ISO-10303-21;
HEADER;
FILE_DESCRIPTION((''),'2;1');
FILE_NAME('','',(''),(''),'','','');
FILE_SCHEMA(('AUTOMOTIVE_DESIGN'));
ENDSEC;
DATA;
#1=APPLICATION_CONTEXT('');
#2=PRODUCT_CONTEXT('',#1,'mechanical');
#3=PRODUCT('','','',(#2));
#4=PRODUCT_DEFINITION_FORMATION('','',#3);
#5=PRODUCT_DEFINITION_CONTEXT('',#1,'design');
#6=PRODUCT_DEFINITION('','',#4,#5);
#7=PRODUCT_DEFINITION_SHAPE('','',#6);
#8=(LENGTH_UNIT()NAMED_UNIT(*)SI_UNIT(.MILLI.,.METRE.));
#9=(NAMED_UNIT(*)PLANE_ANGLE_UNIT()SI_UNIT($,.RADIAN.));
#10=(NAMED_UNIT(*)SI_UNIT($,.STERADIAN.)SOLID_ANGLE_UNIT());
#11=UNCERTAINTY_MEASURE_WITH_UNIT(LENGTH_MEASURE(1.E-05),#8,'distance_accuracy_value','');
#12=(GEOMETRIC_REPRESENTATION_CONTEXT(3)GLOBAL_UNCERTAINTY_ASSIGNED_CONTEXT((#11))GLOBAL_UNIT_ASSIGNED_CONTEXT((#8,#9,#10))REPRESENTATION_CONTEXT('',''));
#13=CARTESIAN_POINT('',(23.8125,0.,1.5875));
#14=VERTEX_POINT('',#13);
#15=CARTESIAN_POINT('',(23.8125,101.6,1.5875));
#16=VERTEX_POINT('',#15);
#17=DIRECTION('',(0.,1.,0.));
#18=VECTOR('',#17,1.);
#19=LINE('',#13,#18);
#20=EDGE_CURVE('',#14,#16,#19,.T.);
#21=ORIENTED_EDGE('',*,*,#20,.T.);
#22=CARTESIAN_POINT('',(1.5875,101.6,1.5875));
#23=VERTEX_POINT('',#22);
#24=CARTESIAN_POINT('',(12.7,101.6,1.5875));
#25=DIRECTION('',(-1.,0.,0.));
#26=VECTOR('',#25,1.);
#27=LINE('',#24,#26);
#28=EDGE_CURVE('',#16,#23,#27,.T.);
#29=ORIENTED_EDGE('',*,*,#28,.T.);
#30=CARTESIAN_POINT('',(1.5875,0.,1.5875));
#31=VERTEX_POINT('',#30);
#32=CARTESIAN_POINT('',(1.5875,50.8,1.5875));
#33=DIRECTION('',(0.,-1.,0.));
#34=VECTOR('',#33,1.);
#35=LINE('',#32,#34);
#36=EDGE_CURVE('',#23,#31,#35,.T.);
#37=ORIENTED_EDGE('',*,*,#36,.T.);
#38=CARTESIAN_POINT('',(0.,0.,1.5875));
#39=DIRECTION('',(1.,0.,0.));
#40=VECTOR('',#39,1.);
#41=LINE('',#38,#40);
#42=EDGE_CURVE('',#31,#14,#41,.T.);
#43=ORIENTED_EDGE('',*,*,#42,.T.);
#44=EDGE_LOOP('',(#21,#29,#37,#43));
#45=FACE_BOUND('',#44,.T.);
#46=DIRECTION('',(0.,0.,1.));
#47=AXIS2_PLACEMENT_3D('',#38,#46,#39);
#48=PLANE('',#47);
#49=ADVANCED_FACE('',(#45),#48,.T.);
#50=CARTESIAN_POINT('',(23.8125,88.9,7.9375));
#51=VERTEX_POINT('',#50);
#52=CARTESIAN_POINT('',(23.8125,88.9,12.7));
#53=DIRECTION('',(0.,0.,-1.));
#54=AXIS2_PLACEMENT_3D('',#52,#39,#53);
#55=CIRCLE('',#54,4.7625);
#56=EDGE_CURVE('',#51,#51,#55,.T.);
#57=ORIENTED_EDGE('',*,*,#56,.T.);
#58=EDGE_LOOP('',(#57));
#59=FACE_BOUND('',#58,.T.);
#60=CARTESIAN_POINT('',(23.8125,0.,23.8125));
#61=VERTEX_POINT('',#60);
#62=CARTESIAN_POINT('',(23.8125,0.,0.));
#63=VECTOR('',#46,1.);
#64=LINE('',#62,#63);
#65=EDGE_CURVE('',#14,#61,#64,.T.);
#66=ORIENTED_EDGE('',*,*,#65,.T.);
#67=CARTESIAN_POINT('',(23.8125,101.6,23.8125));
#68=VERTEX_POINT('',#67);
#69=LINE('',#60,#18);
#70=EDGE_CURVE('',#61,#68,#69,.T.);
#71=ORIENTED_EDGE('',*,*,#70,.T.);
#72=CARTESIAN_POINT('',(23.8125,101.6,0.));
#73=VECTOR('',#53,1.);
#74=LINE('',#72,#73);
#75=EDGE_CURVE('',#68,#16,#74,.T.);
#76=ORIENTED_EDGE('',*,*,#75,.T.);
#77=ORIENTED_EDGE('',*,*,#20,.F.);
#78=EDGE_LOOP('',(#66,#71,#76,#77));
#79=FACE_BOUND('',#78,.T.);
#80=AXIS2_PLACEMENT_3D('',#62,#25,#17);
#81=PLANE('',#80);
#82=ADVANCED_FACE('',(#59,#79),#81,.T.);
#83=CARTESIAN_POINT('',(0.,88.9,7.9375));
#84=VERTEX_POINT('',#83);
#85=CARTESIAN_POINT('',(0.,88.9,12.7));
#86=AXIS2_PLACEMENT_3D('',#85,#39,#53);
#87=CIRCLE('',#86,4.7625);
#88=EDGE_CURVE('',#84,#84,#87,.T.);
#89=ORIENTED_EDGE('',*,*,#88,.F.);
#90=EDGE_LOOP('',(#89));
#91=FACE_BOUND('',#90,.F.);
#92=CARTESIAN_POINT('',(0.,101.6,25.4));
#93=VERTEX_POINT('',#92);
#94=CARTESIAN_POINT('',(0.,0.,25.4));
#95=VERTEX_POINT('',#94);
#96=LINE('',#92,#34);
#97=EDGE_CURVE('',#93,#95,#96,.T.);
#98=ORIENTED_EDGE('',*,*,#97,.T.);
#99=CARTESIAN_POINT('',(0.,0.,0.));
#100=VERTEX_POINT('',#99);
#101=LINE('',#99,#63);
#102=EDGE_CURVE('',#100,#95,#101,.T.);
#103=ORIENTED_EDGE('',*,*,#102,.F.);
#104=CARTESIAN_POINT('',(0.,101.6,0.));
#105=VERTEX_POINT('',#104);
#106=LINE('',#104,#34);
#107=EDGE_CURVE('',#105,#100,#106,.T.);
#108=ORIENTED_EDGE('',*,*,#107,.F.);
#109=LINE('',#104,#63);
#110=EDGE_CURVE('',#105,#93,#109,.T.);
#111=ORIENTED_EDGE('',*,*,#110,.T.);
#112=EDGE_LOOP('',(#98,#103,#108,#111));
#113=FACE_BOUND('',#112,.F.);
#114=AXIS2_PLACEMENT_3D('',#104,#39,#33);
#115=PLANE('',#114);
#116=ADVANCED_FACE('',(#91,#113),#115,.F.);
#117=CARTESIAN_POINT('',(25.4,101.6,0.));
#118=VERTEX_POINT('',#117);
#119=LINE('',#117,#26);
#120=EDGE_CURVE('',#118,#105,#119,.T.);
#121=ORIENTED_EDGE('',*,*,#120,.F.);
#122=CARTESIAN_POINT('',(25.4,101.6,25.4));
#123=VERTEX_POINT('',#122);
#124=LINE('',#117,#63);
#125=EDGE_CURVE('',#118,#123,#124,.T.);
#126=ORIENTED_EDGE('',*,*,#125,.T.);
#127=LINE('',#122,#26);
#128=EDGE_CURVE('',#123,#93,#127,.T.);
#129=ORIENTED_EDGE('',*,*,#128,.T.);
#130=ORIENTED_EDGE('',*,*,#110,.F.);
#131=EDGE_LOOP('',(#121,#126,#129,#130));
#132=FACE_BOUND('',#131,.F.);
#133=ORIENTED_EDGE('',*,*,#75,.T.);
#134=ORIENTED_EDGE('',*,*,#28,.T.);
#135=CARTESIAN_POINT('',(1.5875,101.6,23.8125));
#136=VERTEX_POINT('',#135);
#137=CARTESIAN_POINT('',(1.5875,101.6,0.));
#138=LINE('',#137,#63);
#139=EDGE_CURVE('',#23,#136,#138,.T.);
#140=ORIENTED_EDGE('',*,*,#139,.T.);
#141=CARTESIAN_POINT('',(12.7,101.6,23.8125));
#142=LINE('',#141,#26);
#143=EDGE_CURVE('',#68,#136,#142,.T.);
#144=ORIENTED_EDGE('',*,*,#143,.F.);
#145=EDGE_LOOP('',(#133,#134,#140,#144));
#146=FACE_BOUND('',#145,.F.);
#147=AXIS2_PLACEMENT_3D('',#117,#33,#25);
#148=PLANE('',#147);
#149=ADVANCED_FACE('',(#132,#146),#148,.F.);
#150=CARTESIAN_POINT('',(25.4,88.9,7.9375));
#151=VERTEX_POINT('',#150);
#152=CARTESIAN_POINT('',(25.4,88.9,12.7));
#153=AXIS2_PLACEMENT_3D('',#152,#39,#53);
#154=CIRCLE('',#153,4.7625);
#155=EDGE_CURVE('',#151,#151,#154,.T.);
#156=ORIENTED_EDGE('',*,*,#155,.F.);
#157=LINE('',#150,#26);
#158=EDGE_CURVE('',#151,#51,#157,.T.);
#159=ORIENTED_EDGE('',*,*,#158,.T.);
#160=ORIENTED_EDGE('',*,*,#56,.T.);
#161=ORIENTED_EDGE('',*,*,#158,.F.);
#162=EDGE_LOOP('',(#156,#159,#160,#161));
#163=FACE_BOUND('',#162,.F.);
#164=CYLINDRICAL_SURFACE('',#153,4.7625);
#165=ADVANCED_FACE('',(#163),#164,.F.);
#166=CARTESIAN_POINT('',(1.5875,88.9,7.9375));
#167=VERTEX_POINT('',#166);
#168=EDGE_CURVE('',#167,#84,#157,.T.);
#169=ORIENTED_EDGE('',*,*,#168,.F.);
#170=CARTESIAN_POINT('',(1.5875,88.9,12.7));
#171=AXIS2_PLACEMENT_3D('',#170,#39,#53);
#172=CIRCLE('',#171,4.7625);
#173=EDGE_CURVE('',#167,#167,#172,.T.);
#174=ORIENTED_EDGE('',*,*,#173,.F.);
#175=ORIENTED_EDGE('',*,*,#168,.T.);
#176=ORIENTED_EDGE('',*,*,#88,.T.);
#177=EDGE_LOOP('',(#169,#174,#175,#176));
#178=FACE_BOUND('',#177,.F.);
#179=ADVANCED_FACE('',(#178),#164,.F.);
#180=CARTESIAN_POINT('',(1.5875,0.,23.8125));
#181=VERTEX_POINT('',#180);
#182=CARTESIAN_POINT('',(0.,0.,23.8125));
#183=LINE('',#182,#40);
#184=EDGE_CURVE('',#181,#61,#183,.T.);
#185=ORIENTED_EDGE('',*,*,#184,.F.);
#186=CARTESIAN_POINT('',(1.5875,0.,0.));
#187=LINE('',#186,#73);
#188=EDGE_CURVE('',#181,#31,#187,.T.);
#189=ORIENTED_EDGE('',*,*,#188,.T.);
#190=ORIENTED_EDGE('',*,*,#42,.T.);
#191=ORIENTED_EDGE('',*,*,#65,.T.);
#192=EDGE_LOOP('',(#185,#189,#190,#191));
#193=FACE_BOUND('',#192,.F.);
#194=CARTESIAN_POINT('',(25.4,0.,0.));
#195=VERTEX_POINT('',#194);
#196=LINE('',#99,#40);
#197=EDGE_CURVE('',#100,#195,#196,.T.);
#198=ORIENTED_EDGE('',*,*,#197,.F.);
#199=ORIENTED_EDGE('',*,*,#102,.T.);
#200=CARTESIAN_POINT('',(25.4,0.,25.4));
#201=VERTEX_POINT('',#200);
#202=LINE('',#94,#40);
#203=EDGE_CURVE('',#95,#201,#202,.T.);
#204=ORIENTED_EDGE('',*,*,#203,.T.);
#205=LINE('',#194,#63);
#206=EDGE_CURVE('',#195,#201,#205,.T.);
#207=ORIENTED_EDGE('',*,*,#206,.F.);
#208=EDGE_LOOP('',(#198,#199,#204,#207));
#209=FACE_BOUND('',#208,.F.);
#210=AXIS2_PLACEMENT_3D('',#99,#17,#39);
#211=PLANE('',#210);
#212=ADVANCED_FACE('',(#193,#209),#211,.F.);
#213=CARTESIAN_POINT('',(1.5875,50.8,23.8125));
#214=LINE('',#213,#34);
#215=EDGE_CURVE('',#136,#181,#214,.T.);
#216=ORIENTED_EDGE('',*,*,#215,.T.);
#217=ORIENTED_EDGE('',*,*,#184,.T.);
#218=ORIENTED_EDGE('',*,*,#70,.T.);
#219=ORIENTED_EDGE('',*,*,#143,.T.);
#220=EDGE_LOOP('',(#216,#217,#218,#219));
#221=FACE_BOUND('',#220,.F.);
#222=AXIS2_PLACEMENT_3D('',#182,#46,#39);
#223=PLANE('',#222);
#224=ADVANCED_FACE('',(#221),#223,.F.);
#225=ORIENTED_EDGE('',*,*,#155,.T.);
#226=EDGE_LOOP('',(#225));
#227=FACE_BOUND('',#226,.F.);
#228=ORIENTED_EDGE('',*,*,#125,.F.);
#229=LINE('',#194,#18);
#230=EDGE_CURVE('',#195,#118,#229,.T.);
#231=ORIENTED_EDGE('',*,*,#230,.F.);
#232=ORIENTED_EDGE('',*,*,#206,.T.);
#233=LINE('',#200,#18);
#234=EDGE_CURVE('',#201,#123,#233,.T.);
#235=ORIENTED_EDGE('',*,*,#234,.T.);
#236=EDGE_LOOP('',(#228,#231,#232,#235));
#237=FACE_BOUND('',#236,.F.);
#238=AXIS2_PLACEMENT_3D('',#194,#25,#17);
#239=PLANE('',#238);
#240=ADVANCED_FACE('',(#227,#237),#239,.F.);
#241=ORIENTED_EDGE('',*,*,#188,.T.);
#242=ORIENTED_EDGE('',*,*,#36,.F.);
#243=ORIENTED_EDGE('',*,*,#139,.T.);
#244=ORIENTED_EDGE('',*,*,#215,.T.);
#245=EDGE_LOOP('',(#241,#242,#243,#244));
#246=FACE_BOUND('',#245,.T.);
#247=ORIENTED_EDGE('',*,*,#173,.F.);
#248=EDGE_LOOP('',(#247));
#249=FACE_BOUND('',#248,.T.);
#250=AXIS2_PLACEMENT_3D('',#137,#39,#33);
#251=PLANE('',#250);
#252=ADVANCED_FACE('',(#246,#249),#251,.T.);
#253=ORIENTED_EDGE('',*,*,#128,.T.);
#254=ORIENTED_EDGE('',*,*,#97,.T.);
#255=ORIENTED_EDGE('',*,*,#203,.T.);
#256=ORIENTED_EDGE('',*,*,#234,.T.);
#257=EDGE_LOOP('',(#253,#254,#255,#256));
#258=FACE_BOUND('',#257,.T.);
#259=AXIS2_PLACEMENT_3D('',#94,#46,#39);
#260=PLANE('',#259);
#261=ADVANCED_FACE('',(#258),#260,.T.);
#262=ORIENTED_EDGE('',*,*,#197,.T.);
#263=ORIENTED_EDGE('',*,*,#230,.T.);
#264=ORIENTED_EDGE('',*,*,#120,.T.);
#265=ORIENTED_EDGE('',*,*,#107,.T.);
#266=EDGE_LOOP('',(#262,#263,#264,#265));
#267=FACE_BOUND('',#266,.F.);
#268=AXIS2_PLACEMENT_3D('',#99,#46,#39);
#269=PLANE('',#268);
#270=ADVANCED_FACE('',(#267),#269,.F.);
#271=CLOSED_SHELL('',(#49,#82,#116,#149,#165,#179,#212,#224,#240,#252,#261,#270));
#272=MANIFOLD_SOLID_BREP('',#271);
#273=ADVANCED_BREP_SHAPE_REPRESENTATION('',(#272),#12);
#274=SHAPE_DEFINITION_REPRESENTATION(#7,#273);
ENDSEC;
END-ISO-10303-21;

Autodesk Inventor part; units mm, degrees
ref_plane "YZ Plane" through (0, 0, 0) normal (1, 0, 0) x (0, 1, 0)
ref_plane "XZ Plane" through (0, 0, 0) normal (0, 1, 0) x (-1, 0, 0)
ref_plane "XY Plane" through (0, 0, 0) normal (0, 0, 1) x (1, 0, 0)
sketch "Sketch1" plane through (0, 0, 0) normal (0, 0, 1) x (1, 0, 0)
  line L0 (0, 0) -> (25.4, 0)
  line L1 (25.4, 0) -> (25.4, 101.6)
  line L2 (25.4, 101.6) -> (0, 101.6)
  line L3 (0, 101.6) -> (0, 0)
  dimension "d0" = 25.4
  dimension "d1" = 101.6
extrude "Extrusion1" add sketch "Sketch1" along normal blind 25.4
shell "Shell1" thickness 1.5875 removed faces 2 at (16.9333, 101.6, 16.9333) at (8.4667, 0, 8.4667)
sketch "Sketch2" plane through (25.4, 0, 0) normal (1, 0, 0) x (0, 0, -1)
  line L0 (0, 0) -> (0, 101.6) projected
  line L1 (0, 101.6) -> (-25.4, 101.6) projected
  circle A0 centre (-12.7, 88.9) radius 4.7625
  dimension "d5" = 9.525
  dimension "d6" = 12.7
  dimension "d7" = 12.7
extrude "Extrusion2" cut sketch "Sketch2" against normal through all
properties part number "VerticalRail" material "Aluminum-6061"
